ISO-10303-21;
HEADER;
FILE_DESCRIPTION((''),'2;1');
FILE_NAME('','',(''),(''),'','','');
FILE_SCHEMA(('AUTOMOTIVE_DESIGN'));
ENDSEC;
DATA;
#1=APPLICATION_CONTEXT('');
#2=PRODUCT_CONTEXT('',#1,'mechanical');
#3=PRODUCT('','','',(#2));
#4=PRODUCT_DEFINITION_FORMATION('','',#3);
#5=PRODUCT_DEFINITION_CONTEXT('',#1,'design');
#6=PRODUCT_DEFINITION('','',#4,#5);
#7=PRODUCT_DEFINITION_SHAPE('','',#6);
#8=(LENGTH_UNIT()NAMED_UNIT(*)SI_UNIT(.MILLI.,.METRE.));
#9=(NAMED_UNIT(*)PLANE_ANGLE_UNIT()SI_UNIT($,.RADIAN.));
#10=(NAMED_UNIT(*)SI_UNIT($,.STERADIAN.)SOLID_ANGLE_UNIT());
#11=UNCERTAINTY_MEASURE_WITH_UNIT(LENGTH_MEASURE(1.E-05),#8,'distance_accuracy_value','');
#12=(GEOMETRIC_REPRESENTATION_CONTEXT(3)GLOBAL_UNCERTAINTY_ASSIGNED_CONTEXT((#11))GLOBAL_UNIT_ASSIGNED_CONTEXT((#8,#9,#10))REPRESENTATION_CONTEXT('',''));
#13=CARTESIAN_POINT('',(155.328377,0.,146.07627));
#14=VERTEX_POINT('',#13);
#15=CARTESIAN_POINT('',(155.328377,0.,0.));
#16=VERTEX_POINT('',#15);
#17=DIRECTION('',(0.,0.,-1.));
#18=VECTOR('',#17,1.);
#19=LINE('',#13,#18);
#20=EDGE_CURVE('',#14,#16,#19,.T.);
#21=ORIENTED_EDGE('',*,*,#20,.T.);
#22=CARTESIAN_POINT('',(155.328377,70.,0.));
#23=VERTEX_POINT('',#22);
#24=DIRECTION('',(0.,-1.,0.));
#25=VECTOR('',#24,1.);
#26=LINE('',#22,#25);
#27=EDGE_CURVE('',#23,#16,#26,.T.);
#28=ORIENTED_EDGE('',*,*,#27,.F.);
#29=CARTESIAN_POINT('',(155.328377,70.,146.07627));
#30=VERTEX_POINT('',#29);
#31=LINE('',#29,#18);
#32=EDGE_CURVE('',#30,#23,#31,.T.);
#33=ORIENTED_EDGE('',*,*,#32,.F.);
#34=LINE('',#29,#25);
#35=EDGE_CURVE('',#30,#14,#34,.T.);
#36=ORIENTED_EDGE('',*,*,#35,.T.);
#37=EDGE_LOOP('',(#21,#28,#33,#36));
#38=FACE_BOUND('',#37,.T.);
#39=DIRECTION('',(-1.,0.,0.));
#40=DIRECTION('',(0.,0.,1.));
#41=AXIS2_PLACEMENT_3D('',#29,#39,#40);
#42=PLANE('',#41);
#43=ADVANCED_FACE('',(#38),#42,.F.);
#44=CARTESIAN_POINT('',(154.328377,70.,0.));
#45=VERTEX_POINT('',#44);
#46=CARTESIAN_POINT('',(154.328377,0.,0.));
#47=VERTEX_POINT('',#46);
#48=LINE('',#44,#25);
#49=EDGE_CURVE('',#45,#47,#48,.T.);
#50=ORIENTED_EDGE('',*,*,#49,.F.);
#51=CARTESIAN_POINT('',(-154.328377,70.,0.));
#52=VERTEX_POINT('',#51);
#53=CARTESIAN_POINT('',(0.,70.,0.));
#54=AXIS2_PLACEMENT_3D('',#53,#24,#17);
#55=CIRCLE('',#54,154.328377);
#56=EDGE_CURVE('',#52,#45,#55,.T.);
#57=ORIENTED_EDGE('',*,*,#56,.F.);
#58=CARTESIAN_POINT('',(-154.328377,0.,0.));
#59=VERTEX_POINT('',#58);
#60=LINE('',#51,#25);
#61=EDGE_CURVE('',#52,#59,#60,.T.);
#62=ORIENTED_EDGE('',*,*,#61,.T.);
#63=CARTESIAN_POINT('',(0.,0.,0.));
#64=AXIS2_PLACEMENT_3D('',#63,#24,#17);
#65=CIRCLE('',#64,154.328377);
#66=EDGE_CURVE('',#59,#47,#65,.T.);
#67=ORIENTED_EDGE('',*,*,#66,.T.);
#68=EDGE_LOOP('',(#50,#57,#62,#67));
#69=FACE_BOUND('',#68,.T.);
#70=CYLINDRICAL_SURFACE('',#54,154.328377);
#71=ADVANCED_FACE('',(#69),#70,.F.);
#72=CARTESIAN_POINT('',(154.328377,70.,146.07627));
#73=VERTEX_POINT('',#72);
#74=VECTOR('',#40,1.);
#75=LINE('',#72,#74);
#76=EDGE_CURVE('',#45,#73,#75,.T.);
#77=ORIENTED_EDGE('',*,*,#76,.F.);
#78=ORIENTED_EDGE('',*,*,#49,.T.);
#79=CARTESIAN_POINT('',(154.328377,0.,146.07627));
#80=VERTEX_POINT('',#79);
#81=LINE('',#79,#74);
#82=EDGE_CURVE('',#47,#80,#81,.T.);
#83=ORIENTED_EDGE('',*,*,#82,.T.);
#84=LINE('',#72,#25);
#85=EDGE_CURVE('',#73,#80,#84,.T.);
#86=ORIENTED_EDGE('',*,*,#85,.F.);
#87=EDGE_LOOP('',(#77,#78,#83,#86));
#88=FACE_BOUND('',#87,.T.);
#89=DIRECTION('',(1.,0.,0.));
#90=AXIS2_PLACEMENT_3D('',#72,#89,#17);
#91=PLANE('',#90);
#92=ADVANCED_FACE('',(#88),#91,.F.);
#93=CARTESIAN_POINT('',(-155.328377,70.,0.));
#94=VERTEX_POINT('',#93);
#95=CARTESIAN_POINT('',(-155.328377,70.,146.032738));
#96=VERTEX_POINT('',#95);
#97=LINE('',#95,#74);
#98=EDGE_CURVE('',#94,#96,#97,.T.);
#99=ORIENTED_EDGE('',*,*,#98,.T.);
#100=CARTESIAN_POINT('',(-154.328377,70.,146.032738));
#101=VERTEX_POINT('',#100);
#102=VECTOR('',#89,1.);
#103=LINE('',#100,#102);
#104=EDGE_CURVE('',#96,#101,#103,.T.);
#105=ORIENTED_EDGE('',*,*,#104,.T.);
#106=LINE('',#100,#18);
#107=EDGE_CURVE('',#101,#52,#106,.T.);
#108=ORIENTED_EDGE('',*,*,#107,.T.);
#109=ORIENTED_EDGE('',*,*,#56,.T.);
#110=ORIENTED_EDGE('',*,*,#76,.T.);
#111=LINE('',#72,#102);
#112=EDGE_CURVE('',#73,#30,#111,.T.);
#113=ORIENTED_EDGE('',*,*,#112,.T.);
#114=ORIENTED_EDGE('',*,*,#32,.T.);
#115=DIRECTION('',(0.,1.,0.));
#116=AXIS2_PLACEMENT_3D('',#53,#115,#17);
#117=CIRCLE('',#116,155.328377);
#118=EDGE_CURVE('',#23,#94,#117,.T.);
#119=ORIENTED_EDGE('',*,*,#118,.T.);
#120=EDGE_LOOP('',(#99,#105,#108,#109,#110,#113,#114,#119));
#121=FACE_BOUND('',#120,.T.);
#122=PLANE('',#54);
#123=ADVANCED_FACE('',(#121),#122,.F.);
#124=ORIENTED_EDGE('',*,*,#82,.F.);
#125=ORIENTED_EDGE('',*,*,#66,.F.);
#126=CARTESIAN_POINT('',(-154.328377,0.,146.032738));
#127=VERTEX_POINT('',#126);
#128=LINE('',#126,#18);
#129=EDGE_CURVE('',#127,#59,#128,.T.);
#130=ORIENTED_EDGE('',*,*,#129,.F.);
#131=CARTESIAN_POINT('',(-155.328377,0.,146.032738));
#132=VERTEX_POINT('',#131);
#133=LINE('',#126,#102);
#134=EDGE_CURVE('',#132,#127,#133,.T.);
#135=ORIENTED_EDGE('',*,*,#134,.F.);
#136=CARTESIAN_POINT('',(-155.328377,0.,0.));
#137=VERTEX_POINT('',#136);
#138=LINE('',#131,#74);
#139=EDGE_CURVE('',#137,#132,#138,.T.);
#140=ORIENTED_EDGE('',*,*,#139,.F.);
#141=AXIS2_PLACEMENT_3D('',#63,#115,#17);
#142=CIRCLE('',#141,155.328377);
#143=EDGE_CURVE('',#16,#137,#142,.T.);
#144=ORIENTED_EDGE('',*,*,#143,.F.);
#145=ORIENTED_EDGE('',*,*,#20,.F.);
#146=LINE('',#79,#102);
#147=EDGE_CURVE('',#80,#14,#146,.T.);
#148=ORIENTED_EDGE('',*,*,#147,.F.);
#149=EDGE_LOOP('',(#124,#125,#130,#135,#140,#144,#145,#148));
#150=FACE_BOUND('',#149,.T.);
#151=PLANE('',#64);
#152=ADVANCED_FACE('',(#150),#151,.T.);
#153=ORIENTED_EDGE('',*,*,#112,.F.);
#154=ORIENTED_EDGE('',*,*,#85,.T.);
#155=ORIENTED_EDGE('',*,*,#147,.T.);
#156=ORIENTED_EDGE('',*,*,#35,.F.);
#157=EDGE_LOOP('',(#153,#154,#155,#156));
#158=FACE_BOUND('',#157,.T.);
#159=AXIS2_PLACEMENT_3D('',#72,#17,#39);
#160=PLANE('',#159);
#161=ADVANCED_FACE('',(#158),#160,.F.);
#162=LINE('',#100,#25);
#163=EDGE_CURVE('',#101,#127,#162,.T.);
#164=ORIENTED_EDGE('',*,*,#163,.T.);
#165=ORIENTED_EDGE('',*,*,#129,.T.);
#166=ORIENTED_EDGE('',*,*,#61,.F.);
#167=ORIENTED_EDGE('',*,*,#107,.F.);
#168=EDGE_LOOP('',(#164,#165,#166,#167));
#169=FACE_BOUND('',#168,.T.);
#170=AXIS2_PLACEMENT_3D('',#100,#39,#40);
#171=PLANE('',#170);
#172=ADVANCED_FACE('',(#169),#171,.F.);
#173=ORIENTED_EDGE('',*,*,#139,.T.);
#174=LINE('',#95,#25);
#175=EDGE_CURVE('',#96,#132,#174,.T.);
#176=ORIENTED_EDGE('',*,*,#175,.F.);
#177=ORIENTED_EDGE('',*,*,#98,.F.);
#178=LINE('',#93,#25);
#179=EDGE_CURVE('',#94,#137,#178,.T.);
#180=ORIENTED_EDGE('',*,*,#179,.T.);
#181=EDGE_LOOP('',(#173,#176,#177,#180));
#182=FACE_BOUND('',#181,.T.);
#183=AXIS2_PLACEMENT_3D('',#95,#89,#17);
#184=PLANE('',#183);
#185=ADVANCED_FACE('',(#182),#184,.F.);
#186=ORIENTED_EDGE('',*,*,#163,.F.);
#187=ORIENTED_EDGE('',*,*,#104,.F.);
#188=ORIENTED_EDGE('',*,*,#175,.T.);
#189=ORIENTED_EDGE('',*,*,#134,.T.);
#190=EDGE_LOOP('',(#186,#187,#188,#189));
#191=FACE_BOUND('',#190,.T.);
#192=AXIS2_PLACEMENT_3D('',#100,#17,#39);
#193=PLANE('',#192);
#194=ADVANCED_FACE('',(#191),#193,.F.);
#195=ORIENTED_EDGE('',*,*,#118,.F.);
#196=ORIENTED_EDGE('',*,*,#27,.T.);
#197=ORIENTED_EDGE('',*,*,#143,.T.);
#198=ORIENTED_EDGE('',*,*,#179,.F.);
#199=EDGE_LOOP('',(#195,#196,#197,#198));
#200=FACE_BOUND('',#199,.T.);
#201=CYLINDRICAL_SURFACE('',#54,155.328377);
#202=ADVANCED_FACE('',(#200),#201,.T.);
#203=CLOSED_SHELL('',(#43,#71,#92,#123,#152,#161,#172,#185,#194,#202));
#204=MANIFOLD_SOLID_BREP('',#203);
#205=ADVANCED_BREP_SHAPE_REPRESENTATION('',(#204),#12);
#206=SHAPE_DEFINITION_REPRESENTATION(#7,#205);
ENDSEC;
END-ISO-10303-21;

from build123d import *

# Parameters (mm, degrees)
BOSS_EXTRUDE1_DEPTH = 70


with BuildPart() as part:
    # Sketch1 → Boss-Extrude1 (new body)
    with BuildSketch(Plane(origin=(0, 0, 0), x_dir=(1, 0, 0), z_dir=(0, 1, 0))):
        with BuildLine():
            Line((-154.32837741, -146.032737518), (-155.32837741, -146.032737518))
            Line((-155.32837741, -146.032737518), (-155.32837741, 0))
            ThreePointArc((-155.32837741, 0), (0, 155.32837741), (155.32837741, 0))
            Line((155.32837741, 0), (155.32837741, -146.076270465))
            Line((155.32837741, -146.076270465), (154.32837741, -146.076270465))
            Line((154.32837741, -146.076270465), (154.32837741, 0))
            ThreePointArc((154.32837741, 0), (0, 154.32837741), (-154.32837741, 0))
            Line((-154.32837741, 0), (-154.32837741, -146.032737518))
        make_face()
    extrude(amount=BOSS_EXTRUDE1_DEPTH)


solid = part.part
